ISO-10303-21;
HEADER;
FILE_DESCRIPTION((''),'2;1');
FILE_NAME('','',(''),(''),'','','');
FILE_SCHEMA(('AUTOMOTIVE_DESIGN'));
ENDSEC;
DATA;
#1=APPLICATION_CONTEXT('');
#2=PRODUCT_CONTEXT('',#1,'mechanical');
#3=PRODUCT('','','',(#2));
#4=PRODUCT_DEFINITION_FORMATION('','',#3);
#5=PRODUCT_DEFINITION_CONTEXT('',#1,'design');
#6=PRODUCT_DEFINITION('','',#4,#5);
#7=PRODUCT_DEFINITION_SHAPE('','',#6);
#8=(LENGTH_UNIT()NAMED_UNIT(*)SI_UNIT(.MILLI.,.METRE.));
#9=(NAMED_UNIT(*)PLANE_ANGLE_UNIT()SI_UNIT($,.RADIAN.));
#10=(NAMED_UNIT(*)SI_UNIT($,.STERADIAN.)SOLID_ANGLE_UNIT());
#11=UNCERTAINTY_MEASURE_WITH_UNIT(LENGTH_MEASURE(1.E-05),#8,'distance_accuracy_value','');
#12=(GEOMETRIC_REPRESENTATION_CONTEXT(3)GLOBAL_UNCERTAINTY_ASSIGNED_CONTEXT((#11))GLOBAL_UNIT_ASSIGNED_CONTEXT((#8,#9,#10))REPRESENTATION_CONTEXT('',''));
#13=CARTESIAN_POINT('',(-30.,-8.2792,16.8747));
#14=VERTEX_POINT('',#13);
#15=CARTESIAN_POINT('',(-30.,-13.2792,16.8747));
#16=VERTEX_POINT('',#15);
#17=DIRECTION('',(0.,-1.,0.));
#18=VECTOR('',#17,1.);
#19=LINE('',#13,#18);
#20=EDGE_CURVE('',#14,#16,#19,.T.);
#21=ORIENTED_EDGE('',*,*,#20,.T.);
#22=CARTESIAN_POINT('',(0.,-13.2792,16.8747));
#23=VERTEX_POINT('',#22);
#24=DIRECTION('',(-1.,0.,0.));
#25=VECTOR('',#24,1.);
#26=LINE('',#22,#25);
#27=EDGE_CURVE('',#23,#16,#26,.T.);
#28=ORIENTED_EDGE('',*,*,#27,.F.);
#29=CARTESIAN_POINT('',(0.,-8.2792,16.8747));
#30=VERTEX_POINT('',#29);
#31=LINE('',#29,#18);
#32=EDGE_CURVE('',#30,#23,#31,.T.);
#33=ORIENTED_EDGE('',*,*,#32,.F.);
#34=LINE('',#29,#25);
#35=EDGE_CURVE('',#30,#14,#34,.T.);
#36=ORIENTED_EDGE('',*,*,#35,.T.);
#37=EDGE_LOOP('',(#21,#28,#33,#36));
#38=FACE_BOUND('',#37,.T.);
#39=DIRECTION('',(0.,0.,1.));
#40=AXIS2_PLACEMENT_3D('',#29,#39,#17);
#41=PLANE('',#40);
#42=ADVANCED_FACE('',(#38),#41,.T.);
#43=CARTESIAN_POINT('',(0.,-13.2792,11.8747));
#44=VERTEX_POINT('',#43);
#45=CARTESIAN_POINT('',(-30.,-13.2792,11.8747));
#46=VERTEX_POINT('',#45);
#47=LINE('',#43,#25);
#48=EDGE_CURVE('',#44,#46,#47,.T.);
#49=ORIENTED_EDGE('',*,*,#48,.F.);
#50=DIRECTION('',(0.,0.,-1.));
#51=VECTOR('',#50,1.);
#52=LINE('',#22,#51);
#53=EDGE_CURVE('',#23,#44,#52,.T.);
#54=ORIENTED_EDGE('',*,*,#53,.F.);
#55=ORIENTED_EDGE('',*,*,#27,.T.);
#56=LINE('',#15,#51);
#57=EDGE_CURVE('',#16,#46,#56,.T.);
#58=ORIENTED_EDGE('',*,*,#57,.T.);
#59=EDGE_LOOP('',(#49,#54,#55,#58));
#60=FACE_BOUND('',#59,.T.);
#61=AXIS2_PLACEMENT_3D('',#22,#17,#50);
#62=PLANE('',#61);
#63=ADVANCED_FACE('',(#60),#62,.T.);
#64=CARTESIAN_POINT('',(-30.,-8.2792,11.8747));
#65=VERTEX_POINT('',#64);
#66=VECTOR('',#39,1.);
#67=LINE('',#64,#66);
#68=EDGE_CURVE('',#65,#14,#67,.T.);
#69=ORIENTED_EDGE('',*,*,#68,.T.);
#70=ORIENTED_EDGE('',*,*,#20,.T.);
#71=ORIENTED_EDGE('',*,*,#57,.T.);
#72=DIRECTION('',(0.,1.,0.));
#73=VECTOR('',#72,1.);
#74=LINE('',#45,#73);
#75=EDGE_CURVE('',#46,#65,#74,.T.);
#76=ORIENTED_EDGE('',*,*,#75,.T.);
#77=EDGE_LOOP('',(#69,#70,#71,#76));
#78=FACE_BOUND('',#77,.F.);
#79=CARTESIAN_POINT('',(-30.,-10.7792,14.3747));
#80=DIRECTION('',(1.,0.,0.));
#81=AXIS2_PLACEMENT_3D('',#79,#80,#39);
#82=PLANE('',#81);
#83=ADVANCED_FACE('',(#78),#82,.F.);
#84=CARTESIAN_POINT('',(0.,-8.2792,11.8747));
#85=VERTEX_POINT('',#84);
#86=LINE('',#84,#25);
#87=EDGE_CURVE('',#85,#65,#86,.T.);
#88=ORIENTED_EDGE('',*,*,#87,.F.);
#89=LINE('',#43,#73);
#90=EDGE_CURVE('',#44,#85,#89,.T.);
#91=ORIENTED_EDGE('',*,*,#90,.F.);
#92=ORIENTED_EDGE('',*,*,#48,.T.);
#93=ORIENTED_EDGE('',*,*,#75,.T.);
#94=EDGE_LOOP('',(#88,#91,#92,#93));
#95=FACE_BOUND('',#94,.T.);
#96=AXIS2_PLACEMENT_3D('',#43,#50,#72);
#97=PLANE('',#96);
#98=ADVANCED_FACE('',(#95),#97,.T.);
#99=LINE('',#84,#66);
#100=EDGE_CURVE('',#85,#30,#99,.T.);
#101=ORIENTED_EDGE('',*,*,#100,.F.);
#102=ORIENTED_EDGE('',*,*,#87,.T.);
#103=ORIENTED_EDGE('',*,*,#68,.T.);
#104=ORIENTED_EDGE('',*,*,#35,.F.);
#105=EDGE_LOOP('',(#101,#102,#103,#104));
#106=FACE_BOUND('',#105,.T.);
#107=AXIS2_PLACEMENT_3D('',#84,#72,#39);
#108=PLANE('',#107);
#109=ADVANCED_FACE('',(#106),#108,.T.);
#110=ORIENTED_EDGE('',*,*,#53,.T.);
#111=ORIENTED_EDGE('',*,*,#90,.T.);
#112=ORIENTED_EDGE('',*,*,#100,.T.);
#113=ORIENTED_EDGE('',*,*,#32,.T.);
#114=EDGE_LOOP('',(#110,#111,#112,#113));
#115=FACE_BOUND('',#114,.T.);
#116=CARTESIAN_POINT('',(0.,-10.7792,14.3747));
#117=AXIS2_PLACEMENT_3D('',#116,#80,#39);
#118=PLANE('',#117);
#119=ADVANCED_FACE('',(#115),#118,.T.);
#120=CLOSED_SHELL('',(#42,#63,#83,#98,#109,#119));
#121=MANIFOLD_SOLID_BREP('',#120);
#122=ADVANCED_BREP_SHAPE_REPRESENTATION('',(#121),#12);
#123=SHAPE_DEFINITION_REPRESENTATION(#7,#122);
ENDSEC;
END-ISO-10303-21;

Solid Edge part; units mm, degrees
sketch "Sketch1" plane through (0, 0, 0) normal (1, 0, 0) x (0, 1, 0)
  line L0 (-13.2792, 11.8747) -> (-8.2792, 11.8747)
  line L1 (-8.2792, 11.8747) -> (-8.2792, 16.8747)
  line L2 (-8.2792, 16.8747) -> (-13.2792, 16.8747)
  line L3 (-13.2792, 16.8747) -> (-13.2792, 11.8747)
extrude "Protrusion1" add sketch "Sketch1" against normal blind 30
